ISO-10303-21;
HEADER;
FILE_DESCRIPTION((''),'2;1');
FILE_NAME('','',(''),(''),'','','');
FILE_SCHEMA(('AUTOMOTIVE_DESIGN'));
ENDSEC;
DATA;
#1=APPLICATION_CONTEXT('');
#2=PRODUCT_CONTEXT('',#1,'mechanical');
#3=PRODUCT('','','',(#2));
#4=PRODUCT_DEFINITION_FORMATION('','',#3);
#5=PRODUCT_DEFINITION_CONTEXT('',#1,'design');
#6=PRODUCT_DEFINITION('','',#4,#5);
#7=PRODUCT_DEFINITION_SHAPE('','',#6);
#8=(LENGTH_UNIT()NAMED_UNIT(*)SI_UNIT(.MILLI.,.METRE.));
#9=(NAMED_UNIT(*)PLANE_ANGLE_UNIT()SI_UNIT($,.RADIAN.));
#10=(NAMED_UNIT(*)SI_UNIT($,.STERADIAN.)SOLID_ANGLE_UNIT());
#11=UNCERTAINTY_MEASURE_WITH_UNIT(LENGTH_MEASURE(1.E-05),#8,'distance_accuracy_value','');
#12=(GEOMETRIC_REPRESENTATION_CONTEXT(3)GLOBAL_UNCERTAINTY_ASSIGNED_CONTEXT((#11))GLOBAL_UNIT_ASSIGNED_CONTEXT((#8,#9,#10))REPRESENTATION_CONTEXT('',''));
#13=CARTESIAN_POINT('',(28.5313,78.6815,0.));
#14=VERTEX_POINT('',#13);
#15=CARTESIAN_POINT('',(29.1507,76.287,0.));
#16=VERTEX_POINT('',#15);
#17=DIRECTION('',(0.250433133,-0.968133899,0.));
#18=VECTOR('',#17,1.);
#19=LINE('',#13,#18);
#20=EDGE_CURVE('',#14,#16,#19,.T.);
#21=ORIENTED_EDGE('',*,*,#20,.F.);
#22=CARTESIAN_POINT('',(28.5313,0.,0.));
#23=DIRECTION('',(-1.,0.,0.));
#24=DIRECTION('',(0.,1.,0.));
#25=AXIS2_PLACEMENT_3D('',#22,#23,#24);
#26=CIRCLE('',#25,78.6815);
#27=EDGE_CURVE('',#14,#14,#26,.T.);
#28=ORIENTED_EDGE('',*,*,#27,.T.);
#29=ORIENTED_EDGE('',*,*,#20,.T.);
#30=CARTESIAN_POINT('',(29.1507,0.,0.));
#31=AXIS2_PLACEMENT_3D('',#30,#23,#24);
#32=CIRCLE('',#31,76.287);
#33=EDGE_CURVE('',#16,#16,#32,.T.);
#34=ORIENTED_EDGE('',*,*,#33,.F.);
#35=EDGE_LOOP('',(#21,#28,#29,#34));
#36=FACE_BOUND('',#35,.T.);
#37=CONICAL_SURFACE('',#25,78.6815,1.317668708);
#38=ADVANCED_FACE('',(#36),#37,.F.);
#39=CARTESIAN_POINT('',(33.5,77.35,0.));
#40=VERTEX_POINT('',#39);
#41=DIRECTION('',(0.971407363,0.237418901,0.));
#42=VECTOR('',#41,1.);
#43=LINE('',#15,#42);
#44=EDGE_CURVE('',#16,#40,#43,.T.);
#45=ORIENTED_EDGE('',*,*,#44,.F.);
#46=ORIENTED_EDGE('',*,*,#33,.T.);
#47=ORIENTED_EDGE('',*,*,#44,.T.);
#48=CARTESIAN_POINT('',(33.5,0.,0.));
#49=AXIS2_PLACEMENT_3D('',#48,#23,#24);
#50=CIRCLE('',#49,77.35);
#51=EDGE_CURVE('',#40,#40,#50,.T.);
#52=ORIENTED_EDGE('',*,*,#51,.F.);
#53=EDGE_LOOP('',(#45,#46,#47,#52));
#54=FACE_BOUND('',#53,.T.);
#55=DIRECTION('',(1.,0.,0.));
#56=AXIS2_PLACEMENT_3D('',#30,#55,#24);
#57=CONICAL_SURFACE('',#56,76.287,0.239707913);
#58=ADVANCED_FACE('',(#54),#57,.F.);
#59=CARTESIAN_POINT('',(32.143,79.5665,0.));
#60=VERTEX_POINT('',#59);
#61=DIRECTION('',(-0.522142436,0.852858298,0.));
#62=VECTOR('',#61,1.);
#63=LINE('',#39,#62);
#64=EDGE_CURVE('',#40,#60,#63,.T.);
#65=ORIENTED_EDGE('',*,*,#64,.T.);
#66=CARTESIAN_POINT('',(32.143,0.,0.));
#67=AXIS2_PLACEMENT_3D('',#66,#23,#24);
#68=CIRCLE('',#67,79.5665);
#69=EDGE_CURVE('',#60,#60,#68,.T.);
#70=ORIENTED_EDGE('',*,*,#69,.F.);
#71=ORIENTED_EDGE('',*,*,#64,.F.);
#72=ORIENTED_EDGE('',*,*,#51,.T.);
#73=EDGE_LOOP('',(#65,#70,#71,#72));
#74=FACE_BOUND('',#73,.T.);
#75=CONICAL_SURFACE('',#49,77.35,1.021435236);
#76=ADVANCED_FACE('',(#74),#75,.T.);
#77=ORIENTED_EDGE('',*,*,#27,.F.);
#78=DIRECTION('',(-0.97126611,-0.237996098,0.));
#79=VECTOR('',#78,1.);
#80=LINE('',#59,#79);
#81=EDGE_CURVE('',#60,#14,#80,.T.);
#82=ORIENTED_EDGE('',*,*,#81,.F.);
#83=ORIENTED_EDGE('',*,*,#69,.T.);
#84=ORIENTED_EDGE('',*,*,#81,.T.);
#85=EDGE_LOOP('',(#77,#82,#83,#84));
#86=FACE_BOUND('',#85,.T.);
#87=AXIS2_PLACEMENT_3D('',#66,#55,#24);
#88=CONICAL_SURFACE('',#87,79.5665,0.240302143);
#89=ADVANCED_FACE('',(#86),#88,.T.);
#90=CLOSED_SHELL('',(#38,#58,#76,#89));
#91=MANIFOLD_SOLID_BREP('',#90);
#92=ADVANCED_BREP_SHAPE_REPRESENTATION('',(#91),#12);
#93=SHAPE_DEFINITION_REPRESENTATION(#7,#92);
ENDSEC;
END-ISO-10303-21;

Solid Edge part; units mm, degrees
sketch "Sketch1" plane through (0, 0, 0) normal (0, 0, 1) x (1, 0, 0)
  line L0 (28.5313, 78.6815) -> (29.1507, 76.287)
  line L1 (29.1507, 76.287) -> (33.5, 77.35)
  line L2 (33.5, 77.35) -> (32.143, 79.5665)
  line L3 (32.143, 79.5665) -> (28.5313, 78.6815)
revolve "RevolvedProtrusion1" add sketch "Sketch1" angle 360 about axis through (30.67, 0, 0) along (-1, 0, 0)
